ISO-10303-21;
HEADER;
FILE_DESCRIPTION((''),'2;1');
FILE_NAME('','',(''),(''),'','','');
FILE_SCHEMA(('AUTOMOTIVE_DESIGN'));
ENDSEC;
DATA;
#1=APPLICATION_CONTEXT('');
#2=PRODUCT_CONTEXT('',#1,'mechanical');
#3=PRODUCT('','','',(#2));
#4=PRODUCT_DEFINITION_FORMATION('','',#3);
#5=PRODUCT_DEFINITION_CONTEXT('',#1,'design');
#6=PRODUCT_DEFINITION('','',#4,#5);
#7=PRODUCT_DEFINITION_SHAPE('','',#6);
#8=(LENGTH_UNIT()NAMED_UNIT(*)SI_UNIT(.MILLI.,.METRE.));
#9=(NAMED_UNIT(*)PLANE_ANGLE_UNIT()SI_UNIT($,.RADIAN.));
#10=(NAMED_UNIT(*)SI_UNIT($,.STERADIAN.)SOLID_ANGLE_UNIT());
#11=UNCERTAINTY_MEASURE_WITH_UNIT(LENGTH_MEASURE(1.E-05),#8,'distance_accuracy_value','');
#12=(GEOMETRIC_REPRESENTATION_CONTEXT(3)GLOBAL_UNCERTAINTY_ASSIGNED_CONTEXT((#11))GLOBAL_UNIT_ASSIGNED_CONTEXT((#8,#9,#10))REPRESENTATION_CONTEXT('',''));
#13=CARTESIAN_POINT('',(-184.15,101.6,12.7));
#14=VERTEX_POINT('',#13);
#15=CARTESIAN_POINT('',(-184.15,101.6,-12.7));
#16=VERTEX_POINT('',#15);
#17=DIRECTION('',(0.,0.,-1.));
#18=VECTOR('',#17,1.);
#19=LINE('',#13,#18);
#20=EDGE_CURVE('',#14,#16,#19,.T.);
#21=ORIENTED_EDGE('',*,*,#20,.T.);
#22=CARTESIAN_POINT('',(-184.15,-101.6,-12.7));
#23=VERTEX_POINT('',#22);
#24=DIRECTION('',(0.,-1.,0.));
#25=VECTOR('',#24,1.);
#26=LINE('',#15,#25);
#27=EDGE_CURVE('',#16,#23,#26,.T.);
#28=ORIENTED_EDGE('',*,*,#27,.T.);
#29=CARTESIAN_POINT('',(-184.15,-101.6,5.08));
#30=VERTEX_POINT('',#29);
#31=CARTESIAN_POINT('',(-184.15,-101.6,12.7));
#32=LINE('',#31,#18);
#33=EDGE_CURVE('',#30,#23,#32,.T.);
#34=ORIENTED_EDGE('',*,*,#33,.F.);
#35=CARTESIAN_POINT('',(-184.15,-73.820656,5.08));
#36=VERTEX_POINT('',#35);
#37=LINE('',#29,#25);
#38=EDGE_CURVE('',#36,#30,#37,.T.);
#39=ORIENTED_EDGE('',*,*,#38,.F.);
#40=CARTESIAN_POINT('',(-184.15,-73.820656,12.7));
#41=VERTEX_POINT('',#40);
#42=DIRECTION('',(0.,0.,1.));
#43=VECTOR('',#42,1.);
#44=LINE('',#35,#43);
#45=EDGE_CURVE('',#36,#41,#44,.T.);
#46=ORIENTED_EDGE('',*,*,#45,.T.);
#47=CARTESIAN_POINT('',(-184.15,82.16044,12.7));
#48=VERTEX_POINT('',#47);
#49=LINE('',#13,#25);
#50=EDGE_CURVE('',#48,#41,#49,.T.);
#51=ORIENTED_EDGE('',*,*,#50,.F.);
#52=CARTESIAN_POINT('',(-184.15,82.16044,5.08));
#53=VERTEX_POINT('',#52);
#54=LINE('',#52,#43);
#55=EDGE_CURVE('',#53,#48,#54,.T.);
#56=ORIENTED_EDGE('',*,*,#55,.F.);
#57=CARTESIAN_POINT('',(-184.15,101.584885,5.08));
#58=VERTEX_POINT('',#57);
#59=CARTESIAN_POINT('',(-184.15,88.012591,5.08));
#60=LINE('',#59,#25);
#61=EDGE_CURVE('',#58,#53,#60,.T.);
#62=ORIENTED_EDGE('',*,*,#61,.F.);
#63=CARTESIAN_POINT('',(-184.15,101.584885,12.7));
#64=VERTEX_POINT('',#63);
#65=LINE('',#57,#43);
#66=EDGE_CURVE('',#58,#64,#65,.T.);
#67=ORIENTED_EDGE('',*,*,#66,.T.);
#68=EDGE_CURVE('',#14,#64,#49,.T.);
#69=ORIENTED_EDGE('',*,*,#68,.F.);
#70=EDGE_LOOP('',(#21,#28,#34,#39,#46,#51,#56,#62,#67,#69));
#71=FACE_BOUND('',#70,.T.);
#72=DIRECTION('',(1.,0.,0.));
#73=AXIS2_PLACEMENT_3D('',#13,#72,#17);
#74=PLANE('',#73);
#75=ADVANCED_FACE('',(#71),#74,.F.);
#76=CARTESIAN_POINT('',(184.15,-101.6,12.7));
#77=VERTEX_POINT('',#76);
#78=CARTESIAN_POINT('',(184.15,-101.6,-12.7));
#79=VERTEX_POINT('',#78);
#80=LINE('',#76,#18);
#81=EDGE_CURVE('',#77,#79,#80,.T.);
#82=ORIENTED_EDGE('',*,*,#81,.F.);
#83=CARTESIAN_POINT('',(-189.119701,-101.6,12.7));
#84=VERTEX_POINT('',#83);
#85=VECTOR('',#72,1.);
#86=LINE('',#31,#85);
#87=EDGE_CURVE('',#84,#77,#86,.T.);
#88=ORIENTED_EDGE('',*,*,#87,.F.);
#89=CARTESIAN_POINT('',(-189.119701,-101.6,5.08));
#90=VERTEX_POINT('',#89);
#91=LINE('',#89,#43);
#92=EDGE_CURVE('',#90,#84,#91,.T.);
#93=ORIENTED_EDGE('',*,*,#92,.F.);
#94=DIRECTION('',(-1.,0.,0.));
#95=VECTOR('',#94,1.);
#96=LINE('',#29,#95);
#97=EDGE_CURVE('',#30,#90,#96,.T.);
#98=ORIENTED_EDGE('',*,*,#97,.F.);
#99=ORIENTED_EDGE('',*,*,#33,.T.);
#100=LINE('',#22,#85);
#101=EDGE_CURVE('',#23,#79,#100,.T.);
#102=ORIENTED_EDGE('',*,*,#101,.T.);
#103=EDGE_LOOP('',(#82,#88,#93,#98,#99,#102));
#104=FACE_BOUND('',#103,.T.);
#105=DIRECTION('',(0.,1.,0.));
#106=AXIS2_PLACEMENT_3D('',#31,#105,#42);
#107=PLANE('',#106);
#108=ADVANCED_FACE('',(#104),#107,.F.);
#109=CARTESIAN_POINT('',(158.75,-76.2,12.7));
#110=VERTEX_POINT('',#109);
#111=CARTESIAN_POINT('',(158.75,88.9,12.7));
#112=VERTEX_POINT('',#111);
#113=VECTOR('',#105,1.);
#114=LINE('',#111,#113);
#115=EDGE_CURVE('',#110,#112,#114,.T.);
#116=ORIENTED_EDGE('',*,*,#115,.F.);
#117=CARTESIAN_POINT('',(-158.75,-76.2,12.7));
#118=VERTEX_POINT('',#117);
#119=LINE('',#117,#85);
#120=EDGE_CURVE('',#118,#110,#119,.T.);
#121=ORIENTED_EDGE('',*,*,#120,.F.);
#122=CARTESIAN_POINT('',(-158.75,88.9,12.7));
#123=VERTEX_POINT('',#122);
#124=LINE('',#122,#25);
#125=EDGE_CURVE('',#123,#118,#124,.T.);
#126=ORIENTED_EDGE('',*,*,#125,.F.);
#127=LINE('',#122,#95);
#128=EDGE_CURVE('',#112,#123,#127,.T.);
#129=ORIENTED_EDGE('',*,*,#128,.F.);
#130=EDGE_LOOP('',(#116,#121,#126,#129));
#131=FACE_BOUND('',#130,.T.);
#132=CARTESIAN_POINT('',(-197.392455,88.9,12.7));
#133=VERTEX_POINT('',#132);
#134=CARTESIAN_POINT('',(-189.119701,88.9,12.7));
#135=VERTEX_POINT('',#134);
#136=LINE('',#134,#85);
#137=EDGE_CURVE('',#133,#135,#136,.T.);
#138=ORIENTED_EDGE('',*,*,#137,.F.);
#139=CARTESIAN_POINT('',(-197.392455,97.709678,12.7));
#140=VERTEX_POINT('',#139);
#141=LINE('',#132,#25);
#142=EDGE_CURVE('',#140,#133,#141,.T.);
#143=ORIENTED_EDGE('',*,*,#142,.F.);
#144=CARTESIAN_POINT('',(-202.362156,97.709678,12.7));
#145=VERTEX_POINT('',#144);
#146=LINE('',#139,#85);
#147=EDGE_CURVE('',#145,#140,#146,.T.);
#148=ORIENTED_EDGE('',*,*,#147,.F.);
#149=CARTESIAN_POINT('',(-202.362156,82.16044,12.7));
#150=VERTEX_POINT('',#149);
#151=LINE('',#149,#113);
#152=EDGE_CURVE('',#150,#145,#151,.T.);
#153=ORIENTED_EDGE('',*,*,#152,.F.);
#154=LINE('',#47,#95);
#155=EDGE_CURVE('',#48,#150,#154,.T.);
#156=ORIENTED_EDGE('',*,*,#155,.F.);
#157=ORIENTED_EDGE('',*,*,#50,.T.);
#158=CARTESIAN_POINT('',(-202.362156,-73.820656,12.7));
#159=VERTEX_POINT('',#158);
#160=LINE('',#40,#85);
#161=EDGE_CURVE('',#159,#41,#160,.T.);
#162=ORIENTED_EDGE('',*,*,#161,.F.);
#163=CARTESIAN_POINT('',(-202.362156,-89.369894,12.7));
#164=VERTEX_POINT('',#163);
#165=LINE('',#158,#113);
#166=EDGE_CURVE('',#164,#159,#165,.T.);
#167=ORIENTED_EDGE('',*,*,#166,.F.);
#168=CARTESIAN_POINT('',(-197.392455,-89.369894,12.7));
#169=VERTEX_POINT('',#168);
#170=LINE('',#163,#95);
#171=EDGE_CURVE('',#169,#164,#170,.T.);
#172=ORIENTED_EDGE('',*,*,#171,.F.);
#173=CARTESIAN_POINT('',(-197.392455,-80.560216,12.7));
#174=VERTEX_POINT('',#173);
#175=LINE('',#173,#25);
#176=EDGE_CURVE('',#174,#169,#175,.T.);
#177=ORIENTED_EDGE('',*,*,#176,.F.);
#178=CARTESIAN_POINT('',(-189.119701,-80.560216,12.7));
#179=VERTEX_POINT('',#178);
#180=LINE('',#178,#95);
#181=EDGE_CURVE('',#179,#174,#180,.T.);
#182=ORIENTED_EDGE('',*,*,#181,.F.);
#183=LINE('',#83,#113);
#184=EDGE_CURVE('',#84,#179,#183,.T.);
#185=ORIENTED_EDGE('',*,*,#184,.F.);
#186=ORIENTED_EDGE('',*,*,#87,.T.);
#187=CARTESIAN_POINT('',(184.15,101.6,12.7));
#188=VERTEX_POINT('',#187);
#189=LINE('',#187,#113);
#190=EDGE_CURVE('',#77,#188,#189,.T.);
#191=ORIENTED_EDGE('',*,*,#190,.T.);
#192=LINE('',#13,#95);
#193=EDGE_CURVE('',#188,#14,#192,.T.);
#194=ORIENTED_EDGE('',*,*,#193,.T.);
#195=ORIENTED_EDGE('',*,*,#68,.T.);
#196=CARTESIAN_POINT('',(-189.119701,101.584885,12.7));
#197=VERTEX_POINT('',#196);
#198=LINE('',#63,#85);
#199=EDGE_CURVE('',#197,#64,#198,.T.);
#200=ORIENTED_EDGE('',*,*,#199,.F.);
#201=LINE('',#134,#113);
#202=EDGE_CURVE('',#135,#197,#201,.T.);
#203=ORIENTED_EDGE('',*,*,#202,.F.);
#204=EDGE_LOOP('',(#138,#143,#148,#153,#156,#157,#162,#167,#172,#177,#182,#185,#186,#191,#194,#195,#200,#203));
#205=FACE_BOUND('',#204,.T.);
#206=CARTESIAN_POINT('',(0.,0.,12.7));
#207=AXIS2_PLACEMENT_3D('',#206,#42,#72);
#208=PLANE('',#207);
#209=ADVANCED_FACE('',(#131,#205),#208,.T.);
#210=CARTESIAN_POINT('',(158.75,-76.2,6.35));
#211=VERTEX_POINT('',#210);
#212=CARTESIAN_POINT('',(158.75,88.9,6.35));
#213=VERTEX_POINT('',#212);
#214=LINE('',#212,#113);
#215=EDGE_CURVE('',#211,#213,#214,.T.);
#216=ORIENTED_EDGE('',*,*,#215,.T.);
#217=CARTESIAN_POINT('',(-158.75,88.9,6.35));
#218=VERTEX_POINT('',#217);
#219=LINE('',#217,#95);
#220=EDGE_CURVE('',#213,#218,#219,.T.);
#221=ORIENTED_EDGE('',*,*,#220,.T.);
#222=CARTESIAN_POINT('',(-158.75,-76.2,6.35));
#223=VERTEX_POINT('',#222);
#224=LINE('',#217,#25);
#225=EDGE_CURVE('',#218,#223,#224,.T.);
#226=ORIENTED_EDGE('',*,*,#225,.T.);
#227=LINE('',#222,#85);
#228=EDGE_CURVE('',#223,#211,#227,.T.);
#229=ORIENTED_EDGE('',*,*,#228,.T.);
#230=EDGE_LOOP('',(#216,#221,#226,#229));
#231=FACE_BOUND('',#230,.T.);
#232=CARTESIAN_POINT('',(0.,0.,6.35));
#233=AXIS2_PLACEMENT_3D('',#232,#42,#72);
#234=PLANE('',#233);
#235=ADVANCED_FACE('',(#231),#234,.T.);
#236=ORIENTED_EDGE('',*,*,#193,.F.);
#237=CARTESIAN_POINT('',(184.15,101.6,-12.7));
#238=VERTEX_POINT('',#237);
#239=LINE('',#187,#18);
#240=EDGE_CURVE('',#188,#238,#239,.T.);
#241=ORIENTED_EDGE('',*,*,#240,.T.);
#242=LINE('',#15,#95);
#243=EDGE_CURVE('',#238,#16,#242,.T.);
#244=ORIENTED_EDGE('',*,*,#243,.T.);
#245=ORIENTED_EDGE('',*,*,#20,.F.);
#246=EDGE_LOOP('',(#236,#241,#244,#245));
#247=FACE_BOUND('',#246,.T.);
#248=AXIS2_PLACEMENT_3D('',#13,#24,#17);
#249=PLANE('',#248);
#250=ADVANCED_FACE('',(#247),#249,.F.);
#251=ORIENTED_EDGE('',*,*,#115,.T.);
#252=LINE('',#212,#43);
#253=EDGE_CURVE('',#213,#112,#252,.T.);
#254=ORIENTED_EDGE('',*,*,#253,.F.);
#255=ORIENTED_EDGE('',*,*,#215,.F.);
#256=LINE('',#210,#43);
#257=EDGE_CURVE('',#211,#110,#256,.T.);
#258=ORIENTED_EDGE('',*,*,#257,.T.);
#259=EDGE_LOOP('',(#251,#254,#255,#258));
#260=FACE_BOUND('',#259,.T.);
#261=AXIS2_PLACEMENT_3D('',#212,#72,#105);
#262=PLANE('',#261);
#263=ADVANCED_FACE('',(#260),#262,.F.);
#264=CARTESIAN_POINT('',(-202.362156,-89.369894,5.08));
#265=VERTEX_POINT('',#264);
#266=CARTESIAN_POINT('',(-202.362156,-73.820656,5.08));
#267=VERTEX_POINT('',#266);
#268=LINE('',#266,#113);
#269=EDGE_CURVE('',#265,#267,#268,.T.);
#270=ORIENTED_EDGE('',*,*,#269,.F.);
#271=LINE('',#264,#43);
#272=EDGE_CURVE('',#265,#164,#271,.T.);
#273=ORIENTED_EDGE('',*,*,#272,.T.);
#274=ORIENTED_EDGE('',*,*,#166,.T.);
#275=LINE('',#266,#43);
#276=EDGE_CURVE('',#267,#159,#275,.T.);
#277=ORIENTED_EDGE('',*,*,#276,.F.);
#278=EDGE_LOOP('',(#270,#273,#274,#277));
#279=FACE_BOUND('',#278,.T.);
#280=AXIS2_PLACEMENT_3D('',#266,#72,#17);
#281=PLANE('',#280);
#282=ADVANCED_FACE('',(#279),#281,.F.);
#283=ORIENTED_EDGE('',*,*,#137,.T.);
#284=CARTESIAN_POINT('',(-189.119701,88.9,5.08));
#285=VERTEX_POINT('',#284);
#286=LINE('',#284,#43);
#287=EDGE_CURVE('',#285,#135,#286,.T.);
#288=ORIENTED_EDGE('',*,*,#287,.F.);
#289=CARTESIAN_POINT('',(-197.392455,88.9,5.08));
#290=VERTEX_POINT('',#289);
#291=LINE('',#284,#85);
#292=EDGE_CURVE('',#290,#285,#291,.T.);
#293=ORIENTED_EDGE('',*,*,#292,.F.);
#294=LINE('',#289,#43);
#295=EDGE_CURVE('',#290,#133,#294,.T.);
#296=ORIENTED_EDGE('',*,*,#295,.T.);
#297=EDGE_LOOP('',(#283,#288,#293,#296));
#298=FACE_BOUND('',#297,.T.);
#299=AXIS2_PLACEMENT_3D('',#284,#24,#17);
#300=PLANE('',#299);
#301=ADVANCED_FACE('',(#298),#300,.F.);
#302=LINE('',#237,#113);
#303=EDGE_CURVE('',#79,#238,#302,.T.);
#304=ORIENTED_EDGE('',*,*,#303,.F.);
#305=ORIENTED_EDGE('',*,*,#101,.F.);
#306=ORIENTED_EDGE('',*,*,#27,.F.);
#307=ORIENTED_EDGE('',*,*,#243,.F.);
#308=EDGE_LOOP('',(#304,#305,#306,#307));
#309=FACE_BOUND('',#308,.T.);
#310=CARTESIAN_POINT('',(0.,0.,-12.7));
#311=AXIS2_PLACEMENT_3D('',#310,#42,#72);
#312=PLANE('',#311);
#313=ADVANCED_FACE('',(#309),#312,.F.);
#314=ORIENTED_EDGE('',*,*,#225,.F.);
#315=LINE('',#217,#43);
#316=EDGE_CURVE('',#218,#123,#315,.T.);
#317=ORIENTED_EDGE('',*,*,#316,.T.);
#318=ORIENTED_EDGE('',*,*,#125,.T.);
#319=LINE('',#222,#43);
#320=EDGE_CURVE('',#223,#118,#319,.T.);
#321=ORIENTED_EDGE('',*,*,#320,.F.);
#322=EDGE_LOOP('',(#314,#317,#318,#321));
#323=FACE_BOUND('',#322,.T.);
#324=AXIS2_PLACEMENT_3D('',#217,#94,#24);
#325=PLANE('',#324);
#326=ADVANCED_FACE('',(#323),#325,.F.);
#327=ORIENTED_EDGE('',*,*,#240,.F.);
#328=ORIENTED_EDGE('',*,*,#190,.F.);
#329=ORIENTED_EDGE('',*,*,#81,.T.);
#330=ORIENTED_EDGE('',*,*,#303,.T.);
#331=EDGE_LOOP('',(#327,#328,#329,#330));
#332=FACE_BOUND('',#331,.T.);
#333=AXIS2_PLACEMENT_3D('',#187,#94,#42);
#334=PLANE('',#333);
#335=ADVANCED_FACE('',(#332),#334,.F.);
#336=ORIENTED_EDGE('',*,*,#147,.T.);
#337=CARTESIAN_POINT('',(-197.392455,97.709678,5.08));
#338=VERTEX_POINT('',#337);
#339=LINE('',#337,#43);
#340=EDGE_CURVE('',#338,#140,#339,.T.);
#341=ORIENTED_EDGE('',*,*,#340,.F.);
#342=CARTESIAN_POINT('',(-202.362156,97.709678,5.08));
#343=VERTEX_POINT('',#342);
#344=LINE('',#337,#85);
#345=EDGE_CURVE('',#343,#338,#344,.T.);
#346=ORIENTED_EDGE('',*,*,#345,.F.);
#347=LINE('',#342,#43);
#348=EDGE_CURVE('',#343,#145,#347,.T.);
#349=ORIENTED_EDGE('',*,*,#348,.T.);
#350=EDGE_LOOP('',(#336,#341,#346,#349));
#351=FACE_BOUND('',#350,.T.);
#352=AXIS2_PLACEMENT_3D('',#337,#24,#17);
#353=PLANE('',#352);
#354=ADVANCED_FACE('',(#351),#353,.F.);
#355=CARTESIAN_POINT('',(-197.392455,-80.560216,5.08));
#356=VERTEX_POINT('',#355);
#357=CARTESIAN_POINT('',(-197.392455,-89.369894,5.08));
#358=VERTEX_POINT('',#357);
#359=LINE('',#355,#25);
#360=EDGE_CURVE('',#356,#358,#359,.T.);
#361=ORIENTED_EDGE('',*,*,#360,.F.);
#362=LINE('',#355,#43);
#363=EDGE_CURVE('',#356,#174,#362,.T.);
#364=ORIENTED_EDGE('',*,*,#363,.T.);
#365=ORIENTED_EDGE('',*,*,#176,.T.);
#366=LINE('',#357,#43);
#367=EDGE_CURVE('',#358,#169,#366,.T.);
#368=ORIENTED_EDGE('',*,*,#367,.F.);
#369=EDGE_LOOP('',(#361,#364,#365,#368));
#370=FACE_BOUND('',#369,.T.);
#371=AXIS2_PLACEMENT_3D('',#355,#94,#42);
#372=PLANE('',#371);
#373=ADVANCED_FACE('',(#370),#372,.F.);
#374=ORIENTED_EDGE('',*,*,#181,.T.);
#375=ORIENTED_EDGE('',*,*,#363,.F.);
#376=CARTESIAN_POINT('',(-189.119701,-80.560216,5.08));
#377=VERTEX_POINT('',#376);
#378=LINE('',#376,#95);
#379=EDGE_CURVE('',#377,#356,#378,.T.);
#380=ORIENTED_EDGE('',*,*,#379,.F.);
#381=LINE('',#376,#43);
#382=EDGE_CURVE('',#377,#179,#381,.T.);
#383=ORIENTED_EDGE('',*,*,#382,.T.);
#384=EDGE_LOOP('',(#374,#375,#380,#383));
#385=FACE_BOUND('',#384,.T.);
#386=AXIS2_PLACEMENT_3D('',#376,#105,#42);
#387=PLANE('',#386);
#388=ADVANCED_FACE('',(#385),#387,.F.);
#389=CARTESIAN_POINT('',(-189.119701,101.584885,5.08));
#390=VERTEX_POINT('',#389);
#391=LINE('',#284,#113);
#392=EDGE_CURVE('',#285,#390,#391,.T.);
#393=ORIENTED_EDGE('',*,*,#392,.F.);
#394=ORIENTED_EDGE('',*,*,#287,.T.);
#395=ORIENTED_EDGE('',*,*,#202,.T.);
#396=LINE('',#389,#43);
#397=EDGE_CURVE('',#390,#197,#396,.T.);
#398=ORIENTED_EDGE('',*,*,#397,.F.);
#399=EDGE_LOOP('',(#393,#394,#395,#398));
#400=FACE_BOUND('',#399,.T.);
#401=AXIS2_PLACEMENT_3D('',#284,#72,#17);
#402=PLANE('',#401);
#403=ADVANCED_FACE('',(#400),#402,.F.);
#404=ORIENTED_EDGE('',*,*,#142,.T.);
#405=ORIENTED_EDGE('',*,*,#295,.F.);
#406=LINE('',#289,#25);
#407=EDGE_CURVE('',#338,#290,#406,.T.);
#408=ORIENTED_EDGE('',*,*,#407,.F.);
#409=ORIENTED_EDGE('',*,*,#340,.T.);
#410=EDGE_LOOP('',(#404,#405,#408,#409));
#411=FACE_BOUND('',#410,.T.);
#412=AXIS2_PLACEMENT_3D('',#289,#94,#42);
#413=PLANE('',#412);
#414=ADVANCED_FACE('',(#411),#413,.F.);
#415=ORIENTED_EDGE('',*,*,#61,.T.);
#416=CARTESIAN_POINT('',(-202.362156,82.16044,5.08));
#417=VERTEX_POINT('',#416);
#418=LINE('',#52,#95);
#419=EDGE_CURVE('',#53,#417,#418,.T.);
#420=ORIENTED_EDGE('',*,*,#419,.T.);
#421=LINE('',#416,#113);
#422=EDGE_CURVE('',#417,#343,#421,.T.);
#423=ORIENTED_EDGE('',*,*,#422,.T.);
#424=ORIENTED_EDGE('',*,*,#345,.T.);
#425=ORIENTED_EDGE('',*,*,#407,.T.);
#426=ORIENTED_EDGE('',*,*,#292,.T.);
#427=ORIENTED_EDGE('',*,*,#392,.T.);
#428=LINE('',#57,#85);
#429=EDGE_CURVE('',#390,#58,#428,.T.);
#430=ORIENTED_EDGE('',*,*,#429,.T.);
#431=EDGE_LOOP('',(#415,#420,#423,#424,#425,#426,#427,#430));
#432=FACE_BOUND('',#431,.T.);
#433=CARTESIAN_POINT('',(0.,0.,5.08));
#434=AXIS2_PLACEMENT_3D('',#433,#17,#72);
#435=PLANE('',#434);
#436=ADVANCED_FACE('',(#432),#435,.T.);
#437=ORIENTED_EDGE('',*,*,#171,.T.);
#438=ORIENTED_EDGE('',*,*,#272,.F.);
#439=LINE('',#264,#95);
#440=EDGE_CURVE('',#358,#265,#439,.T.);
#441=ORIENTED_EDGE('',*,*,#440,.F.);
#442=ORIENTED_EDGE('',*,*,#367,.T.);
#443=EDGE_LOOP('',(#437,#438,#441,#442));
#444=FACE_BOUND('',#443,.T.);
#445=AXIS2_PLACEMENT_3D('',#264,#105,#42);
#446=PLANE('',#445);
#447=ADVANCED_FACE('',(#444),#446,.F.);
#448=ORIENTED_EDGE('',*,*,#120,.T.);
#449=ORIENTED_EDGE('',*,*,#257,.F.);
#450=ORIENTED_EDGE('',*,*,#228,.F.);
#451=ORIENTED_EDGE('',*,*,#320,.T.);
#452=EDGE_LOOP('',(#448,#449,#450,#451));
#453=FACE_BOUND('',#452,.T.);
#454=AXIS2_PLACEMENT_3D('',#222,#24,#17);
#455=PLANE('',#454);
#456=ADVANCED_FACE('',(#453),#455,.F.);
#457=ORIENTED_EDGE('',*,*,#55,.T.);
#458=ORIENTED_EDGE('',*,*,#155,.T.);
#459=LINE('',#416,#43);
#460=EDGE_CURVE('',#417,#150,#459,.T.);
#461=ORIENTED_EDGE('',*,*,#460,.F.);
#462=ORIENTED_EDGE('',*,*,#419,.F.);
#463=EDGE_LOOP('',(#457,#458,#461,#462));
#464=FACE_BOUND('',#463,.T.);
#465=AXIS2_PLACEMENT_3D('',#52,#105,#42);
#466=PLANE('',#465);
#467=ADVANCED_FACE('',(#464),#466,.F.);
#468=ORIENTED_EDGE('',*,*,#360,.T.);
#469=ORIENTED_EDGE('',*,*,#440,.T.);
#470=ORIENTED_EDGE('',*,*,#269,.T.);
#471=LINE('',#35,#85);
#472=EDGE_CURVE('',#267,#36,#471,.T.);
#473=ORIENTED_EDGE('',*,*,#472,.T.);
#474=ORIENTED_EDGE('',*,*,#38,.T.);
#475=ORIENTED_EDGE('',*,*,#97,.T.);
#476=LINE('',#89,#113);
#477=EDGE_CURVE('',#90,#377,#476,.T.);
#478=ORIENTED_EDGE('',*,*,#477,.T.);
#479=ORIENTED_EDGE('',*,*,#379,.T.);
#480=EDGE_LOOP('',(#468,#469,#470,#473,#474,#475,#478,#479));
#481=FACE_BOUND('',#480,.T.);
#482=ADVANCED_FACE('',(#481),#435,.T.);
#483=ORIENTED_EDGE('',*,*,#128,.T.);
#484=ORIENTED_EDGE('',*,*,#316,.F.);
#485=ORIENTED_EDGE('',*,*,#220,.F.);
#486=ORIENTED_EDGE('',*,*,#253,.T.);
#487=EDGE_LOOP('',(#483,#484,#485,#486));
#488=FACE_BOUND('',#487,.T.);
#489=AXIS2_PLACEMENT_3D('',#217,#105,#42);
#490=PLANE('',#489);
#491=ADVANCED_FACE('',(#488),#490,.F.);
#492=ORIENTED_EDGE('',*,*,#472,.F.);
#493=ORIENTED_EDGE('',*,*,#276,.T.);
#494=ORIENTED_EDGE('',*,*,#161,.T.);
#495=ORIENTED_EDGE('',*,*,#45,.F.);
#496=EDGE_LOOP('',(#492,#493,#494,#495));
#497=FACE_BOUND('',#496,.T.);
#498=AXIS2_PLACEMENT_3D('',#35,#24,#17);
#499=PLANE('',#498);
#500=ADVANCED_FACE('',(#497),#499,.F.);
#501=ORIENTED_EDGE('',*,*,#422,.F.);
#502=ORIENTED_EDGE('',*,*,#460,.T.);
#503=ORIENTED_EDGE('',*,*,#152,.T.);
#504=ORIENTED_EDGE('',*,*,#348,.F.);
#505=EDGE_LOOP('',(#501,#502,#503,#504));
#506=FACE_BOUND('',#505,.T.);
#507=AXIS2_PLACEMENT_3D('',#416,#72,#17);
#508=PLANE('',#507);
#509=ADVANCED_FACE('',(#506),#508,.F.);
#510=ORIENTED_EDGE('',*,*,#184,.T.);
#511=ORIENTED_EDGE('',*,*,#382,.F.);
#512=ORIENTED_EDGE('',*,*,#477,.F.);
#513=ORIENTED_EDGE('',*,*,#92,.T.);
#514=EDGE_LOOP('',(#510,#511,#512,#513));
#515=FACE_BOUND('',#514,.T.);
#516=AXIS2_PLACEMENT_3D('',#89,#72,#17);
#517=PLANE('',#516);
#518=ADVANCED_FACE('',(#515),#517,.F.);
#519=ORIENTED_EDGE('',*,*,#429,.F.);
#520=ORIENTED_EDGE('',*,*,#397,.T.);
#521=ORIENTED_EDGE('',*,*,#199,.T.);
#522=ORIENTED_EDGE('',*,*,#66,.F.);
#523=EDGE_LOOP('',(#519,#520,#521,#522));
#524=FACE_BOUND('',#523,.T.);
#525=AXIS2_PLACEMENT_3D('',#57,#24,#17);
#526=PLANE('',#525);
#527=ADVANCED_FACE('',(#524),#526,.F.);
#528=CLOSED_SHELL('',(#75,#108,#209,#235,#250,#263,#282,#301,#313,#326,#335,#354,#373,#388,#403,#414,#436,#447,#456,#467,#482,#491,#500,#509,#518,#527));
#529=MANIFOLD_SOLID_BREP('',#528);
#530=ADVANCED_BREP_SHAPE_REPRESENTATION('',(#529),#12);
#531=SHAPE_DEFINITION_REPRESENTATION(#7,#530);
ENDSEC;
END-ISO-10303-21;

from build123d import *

# Parameters (mm, degrees)
SKETCH1_W           = 368.3
SKETCH1_H           = 203.2
BOSS_EXTRUDE1_DEPTH = 12.7
SKETCH2_W           = 317.5
SKETCH2_H           = 165.1
CUT_EXTRUDE1_DEPTH  = 6.35
BOSS_EXTRUDE3_DEPTH = 7.62
CUT_EXTRUDE2_DEPTH  = 20.32


with BuildPart() as part:
    # Sketch1 → Boss-Extrude1 (new, symmetric)
    with BuildSketch(Plane.XY):
        Rectangle(SKETCH1_W, SKETCH1_H)
    extrude(amount=BOSS_EXTRUDE1_DEPTH, both=True)

    # Sketch2 → Cut-Extrude1 (cut)
    with BuildSketch(Plane.XY.offset(12.7)):
        with Locations((0, 6.35)):
            Rectangle(SKETCH2_W, SKETCH2_H)
    extrude(amount=-CUT_EXTRUDE1_DEPTH, mode=Mode.SUBTRACT)

    # Sketch4 → Boss-Extrude3 (add)
    with BuildSketch(Plane.XY.offset(12.7)):
        Polygon((184.15, -101.6), (189.119700693, -101.6), (189.119700693, -80.560215749), (197.392455233, -80.560215749), (197.392455233, -89.3698935), (202.362155926, -89.3698935), (202.362155926, -73.820655617), (184.15, -73.820655617), align=None)
        Polygon((189.119700693, 88.9), (197.392455233, 88.9), (197.392455233, 97.709677751), (202.362155926, 97.709677751), (202.362155926, 82.160439868), (184.15, 82.160439868), (184.15, 88.012590692), (184.15, 101.584884773), (189.119700693, 101.584884773), align=None)
    boss_extrude3 = extrude(amount=-BOSS_EXTRUDE3_DEPTH)

    # Mirror2: Boss-Extrude3 across plane
    add(boss_extrude3.mirror(Plane(origin=(0, 0, 0), x_dir=(0, 0, 1), z_dir=(1, 0, 0))))

    # Sketch5 → Cut-Extrude2 (cut)
    with BuildSketch(Plane.XY.offset(12.7)):
        Polygon((202.362155926, -73.820655617), (184.15, -73.820655617), (184.15, -101.6), (189.119700693, -101.6), (189.119700693, -80.560215749), (197.392455233, -80.560215749), (197.392455233, -89.3698935), (202.362155926, -89.3698935), align=None)
        Polygon((184.15, 101.584884773), (184.15, 82.160439868), (202.362155926, 82.160439868), (202.362155926, 97.709677751), (197.392455233, 97.709677751), (197.392455233, 88.9), (189.119700693, 88.9), (189.119700693, 101.584884773), align=None)
    extrude(amount=-CUT_EXTRUDE2_DEPTH, mode=Mode.SUBTRACT)


solid = part.part
